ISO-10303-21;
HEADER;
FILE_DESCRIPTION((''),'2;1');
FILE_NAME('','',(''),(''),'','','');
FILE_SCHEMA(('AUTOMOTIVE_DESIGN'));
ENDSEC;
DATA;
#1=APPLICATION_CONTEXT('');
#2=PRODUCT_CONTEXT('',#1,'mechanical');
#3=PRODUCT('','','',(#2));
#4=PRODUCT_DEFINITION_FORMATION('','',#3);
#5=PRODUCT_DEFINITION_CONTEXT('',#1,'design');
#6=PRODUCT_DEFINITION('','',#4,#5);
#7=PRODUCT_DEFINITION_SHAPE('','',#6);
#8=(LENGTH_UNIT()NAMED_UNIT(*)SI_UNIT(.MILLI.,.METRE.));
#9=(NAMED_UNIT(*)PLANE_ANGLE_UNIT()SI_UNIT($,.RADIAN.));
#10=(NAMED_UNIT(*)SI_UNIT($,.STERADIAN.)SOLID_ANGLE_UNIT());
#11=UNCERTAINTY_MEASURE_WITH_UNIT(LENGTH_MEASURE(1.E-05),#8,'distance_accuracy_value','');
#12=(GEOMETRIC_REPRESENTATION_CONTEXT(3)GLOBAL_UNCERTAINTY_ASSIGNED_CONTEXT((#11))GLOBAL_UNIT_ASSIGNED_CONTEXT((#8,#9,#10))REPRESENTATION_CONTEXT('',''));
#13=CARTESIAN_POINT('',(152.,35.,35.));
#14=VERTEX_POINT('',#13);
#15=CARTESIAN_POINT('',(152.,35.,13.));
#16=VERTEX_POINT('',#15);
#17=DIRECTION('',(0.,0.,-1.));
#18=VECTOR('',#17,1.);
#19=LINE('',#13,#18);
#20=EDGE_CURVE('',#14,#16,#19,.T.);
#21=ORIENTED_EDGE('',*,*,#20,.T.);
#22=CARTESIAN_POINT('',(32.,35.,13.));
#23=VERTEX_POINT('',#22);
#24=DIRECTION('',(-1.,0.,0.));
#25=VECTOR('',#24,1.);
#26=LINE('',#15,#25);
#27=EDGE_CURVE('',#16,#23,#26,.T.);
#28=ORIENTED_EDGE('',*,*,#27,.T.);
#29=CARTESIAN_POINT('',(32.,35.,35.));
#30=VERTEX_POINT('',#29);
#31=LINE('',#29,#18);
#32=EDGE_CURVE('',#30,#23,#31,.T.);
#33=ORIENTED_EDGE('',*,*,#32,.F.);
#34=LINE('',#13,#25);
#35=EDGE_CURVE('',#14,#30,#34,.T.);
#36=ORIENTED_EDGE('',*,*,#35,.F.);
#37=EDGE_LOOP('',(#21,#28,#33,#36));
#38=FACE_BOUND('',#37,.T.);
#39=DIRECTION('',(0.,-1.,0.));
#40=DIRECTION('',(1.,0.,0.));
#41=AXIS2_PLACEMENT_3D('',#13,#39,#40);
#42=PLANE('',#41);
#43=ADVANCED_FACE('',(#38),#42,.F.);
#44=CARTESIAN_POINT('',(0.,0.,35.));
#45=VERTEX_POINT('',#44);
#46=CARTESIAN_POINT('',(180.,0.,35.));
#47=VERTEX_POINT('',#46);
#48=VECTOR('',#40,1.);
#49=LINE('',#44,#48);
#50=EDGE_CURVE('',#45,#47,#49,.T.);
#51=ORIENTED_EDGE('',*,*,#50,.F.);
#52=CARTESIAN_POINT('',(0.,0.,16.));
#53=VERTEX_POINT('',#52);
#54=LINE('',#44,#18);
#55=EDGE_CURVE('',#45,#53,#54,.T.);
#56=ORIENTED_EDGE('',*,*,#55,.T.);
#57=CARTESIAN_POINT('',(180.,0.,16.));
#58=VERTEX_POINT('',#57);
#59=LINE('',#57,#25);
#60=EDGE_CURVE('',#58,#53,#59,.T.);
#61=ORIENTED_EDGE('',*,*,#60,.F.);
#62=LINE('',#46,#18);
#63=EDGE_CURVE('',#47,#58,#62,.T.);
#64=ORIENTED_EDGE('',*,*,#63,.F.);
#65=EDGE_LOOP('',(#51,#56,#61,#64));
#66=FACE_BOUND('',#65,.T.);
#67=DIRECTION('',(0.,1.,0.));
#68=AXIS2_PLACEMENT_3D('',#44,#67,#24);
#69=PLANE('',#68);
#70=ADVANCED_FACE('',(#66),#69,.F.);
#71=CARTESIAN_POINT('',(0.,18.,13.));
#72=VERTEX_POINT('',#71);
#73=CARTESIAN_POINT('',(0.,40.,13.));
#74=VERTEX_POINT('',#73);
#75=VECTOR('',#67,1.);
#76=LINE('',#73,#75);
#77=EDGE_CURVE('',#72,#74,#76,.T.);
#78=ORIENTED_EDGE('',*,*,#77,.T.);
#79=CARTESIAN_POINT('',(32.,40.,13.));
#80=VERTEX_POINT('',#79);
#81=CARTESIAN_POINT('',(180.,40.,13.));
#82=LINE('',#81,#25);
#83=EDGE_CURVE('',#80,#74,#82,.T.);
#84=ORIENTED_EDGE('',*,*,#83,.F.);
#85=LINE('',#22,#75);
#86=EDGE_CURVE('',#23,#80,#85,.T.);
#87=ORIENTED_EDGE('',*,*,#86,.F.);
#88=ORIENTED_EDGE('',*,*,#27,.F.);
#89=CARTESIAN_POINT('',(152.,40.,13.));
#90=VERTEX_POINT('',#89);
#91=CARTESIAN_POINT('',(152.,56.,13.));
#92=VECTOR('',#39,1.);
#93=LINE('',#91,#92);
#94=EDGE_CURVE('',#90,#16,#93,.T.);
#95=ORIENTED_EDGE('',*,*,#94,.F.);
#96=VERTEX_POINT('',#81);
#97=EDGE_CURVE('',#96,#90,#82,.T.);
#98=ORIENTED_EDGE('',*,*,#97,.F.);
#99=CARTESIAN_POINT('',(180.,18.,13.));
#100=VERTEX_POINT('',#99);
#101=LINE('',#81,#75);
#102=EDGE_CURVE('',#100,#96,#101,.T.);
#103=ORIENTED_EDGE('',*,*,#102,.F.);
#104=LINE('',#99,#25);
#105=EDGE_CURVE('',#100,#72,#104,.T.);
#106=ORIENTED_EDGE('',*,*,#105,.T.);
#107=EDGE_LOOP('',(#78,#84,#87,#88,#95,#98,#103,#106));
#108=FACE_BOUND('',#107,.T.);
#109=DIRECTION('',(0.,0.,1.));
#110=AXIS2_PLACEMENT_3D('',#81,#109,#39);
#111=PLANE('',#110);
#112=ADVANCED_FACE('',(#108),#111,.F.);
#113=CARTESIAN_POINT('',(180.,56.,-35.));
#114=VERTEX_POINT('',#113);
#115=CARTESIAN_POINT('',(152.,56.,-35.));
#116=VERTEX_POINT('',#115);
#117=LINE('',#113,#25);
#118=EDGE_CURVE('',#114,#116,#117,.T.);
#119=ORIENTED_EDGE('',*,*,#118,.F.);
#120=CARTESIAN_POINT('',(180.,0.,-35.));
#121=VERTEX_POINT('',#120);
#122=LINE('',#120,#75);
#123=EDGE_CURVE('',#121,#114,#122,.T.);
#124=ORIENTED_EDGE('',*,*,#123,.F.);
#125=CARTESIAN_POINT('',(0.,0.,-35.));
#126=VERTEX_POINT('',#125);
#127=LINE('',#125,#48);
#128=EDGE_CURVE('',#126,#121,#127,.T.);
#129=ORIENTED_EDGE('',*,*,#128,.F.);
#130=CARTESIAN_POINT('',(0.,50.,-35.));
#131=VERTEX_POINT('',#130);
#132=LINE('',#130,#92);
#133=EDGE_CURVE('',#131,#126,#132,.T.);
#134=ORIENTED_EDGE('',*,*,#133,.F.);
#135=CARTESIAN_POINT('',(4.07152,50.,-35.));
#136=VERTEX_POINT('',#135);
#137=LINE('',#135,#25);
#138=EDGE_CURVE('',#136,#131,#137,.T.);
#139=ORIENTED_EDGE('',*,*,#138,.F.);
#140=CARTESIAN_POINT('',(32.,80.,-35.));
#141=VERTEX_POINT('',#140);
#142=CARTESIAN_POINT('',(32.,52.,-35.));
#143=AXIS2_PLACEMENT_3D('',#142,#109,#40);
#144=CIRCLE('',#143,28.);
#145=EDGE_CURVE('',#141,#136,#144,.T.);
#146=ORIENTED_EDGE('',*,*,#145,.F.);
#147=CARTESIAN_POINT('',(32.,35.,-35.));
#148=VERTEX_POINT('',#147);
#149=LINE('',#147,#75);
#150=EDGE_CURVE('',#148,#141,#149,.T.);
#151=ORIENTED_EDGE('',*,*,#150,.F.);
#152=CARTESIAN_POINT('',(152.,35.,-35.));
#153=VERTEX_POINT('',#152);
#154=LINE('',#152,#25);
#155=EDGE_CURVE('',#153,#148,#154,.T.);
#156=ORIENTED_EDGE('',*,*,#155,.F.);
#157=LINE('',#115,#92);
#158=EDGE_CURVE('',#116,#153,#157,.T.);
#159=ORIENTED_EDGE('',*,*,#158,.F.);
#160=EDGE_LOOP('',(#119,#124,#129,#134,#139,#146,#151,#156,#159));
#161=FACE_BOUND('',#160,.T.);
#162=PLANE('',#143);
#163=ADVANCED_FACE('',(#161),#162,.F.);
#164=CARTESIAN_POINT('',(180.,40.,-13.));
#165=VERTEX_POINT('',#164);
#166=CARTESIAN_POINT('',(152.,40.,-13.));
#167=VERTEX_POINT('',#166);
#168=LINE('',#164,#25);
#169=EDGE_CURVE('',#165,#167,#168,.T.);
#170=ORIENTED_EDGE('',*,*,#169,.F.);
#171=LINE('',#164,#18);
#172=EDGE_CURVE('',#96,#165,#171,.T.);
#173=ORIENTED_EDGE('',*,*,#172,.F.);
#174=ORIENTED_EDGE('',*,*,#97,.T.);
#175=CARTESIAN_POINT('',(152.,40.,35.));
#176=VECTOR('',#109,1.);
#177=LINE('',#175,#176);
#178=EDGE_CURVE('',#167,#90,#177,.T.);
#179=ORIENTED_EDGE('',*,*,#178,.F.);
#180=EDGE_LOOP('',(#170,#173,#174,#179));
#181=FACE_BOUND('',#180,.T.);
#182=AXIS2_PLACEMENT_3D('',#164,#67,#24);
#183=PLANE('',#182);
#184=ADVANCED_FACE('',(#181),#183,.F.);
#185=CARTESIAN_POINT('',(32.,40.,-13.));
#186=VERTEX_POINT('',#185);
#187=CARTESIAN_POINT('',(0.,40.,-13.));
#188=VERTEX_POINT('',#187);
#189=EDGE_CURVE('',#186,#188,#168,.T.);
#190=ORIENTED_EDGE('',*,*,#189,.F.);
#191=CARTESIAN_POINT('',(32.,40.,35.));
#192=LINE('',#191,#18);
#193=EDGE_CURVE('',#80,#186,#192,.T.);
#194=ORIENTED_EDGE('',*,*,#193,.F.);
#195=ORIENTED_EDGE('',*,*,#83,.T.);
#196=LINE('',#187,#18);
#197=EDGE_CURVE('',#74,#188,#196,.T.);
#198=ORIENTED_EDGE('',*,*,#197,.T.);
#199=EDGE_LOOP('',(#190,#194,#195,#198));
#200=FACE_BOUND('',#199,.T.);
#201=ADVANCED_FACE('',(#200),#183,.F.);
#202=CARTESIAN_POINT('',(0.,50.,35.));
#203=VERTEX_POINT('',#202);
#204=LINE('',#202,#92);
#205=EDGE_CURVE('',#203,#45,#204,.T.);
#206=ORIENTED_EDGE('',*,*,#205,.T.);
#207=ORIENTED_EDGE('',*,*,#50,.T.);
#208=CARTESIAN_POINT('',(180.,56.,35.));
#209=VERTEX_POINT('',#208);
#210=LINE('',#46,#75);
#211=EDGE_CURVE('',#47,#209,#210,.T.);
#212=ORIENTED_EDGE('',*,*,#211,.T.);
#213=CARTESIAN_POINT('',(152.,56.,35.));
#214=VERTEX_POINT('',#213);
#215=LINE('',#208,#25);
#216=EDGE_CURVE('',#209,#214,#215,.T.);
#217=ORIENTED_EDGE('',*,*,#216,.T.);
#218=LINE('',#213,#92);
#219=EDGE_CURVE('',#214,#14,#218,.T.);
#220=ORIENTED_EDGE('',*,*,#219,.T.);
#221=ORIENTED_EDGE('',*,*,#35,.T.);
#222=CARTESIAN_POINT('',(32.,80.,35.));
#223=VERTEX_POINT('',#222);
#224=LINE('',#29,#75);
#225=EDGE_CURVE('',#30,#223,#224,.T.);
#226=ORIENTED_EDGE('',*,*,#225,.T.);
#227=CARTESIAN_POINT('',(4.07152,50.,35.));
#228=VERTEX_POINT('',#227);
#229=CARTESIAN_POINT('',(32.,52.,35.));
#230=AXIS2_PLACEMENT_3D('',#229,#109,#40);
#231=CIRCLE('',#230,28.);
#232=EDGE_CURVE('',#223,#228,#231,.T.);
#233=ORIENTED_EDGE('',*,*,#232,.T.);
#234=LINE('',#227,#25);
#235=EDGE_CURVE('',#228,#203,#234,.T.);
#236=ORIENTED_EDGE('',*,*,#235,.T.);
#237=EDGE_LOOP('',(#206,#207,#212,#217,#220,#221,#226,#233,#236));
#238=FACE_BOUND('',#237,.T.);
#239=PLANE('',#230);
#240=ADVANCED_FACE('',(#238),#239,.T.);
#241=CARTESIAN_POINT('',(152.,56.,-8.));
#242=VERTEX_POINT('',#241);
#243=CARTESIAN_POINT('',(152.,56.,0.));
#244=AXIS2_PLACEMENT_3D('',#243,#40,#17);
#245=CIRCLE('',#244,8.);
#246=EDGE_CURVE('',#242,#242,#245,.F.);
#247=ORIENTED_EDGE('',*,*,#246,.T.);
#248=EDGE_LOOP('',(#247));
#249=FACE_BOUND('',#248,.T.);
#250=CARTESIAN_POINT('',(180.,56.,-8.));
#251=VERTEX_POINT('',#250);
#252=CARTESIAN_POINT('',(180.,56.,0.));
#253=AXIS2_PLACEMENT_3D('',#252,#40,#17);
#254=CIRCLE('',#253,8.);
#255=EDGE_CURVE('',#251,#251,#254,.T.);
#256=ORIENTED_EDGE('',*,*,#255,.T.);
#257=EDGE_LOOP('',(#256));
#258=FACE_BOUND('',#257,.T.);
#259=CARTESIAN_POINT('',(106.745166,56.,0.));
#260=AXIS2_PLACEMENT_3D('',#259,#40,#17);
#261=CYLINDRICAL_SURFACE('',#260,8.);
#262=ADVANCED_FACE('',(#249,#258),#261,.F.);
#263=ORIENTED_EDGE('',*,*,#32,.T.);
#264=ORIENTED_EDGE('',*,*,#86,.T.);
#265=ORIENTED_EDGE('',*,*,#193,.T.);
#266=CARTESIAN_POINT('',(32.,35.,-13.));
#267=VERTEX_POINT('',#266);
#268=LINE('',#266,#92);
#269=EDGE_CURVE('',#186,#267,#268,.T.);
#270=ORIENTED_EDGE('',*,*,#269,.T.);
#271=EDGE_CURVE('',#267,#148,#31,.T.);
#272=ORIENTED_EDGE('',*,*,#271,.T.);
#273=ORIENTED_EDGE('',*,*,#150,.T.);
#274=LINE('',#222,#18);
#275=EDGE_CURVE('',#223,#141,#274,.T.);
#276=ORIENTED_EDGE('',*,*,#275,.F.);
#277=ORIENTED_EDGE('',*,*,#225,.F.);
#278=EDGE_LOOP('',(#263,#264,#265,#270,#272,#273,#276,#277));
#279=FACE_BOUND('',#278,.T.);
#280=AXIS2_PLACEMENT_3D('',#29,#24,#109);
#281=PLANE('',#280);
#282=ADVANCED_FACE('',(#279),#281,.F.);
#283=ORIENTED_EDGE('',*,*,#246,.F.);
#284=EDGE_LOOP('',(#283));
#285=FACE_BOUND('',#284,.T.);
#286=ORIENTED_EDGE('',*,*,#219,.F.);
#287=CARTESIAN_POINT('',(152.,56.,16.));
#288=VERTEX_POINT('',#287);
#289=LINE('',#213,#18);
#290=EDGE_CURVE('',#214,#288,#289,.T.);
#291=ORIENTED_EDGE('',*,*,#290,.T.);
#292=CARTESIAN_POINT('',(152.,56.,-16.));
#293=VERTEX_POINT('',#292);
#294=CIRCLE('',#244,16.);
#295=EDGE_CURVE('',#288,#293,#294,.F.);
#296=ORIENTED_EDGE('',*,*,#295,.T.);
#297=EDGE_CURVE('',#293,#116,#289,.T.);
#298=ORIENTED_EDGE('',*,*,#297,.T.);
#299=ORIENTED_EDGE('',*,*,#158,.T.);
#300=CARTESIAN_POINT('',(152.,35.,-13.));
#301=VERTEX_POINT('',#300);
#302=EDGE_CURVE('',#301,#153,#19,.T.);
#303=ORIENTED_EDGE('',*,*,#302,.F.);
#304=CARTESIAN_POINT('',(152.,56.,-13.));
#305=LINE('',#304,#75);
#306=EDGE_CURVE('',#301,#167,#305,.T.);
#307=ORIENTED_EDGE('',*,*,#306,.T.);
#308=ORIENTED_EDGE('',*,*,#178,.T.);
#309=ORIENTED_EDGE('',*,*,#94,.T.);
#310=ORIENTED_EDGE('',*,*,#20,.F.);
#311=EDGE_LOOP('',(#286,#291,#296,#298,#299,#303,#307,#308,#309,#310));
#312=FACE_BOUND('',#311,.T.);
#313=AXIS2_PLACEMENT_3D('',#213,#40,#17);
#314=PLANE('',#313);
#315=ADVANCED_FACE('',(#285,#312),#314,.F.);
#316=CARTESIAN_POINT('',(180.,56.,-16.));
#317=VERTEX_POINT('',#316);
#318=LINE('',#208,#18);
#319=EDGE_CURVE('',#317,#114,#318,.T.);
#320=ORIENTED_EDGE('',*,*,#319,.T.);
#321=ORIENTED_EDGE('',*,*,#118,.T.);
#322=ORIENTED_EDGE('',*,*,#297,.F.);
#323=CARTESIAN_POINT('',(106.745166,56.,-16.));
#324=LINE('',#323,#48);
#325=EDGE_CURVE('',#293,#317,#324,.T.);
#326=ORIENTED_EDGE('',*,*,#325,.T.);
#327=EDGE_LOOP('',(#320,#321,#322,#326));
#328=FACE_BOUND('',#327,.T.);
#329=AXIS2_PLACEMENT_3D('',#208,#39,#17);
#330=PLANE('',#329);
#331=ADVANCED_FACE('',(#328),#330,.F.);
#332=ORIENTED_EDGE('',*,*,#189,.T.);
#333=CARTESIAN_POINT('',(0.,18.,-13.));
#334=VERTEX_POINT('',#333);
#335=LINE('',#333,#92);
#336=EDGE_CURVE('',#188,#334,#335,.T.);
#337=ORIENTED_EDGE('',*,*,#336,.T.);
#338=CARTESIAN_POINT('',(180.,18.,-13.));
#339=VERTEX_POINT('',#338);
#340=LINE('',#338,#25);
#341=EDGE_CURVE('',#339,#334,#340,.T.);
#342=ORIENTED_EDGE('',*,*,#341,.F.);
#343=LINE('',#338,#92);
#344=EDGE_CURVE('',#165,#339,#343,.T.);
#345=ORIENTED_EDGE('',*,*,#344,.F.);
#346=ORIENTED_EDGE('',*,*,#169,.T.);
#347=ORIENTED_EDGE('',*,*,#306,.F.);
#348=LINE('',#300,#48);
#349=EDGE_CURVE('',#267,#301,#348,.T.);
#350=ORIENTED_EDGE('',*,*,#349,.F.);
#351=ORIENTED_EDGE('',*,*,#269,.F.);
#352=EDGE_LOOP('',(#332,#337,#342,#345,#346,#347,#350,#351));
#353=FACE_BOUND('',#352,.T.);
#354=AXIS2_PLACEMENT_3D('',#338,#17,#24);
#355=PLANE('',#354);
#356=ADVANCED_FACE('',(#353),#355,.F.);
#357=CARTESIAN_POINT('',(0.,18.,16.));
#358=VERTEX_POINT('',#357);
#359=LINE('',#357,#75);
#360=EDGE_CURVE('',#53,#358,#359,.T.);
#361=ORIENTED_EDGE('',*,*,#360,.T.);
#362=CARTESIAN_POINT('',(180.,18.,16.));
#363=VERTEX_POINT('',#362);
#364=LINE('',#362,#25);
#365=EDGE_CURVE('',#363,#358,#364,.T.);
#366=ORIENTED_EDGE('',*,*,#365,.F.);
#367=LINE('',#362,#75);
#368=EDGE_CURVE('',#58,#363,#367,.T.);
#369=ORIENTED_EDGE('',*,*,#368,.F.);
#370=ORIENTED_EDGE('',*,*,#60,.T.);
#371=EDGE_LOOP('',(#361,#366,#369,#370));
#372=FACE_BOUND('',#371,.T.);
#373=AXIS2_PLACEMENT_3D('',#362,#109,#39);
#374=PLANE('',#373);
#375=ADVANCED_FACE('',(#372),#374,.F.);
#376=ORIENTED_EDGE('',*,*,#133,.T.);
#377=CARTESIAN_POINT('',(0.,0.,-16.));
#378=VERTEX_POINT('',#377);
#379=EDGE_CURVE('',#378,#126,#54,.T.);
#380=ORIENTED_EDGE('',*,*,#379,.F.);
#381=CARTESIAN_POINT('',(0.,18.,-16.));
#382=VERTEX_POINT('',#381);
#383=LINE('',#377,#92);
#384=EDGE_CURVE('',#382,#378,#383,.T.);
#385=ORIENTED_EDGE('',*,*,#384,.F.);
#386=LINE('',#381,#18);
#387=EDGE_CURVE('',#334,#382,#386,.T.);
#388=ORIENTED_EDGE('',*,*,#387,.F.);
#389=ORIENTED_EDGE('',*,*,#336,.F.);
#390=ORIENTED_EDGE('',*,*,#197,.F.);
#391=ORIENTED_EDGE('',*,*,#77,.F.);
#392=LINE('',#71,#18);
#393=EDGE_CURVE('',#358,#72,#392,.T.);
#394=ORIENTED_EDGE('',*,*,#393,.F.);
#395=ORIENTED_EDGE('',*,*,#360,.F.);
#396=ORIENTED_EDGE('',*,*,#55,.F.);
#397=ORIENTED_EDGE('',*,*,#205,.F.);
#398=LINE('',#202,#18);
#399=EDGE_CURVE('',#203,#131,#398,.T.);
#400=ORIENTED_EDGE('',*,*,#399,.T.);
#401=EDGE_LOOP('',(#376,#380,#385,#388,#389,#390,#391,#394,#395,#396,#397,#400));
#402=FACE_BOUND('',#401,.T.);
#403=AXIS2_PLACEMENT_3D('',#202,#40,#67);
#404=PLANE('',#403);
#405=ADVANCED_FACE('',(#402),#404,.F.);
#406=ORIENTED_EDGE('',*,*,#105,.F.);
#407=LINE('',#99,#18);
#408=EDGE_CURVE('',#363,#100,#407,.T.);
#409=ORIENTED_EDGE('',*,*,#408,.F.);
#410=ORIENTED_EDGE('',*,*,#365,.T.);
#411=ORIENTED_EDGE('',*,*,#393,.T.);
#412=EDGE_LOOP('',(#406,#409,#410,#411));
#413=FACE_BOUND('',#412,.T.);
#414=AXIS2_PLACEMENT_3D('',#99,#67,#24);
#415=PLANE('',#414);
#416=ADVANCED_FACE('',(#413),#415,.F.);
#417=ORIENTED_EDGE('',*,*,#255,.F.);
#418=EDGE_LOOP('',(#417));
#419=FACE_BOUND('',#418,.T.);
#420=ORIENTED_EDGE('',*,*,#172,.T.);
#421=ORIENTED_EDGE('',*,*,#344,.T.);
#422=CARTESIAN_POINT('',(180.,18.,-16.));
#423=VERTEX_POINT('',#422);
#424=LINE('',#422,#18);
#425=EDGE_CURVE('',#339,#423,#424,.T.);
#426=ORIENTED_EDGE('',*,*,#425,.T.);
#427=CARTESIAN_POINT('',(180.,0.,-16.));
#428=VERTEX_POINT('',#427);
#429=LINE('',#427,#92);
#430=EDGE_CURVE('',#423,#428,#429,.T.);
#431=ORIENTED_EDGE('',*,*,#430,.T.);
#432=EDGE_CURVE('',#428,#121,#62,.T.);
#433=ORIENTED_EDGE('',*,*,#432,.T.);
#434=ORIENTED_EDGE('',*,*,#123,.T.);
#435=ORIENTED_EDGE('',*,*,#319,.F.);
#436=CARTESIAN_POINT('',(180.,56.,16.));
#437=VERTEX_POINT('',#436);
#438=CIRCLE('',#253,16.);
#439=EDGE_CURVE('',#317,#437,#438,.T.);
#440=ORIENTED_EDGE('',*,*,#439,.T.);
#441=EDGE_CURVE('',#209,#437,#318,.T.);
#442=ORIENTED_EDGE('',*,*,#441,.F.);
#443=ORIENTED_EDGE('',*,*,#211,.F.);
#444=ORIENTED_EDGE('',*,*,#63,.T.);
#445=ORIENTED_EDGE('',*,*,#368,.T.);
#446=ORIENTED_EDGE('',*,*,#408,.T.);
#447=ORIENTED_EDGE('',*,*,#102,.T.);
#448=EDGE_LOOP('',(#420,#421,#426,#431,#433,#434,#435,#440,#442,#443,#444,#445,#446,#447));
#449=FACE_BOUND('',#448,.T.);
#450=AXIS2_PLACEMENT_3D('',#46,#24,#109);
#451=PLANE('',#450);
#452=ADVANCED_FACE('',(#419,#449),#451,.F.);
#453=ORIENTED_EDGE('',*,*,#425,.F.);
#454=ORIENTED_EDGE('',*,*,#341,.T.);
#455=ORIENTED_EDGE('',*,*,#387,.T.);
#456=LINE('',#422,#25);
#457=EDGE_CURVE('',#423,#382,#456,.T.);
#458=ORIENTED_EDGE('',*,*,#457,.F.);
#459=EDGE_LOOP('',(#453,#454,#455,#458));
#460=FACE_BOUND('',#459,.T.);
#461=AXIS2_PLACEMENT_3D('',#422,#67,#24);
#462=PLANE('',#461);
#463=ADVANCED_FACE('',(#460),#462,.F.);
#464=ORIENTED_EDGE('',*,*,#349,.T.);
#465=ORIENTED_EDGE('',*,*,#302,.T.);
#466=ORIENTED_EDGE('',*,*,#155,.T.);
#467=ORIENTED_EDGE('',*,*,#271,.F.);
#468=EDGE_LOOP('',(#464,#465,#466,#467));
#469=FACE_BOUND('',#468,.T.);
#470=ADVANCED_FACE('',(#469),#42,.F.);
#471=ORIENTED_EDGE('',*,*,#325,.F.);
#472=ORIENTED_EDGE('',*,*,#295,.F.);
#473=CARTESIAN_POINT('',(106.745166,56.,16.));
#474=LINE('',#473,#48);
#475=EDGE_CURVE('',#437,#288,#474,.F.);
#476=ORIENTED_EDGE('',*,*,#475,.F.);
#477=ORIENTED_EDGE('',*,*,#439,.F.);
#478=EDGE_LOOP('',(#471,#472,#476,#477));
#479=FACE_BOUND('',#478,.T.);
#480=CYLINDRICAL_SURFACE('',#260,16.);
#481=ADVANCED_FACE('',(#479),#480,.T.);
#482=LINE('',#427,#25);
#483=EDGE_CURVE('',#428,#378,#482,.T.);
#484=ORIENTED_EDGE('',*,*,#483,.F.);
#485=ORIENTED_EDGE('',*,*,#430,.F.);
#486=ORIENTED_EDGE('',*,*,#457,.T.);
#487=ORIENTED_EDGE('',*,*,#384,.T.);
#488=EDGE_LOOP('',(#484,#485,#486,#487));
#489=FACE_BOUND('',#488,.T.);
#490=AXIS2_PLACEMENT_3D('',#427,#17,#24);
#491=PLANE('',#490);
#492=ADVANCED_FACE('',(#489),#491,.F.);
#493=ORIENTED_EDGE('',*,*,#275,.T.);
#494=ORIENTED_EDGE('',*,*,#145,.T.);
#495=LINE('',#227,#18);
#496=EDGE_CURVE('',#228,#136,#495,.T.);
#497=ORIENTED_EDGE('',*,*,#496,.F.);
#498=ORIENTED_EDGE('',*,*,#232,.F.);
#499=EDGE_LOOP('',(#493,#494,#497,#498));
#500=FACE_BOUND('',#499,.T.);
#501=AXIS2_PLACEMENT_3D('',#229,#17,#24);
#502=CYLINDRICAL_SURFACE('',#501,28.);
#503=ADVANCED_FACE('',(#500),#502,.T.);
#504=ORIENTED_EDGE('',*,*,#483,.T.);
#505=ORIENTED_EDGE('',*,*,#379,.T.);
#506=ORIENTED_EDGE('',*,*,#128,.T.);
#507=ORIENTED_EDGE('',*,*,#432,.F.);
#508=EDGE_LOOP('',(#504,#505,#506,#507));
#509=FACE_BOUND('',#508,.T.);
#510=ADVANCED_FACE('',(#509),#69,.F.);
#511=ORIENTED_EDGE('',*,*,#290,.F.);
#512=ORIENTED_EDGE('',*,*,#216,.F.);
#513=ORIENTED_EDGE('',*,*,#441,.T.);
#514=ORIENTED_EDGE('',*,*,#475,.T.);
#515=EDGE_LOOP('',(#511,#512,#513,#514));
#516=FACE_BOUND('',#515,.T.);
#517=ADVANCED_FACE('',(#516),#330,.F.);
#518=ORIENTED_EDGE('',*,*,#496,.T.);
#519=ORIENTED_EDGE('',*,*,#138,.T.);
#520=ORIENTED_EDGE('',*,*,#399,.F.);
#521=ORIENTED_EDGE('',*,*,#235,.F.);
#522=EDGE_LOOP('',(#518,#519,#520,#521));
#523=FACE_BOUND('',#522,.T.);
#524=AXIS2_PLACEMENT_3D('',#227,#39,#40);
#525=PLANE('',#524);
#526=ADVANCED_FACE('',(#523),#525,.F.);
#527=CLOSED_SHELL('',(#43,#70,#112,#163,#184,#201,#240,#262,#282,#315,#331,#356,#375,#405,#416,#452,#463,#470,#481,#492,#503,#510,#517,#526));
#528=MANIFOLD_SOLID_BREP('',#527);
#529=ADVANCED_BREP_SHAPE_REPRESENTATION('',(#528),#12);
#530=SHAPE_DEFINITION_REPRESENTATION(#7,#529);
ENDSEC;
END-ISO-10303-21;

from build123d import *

# Parameters (mm, degrees)
BOSS_EXTRUDE1_DEPTH = 35
CUT_EXTRUDE1_DEPTH  = 201.062490237
SKETCH3_R           = 16
SKETCH3_R_2         = 8
BOSS_EXTRUDE2_DEPTH = 28
CUT_EXTRUDE2_REACH  = 202.062
SKETCH3_2_R         = 8


with BuildPart() as part:
    # Sketch1 → Boss-Extrude1 (new, symmetric)
    with BuildSketch(Plane.XY):
        with BuildLine():
            Line((0, 0), (180, 0))
            Line((180, 0), (180, 56))
            Line((180, 56), (152, 56))
            Line((152, 56), (152, 35))
            Line((152, 35), (32, 35))
            Line((32, 35), (32, 80))
            ThreePointArc((32, 80), (11.506098468, 71.078784028), (4.071519912, 50))
            Line((4.071519912, 50), (0, 50))
            Line((0, 50), (0, 0))
        make_face()
    extrude(amount=BOSS_EXTRUDE1_DEPTH, both=True)

    # Sketch2 → Cut-Extrude1 (cut, through all)
    with BuildSketch(Plane.ZY):
        Polygon((-16, 0), (-16, 18), (-13, 18), (-13, 40), (13, 40), (13, 18), (16, 18), (16, 0), align=None)
    extrude(amount=-CUT_EXTRUDE1_DEPTH, mode=Mode.SUBTRACT)

    # Sketch3 → Boss-Extrude2 (add)
    with BuildSketch(Plane(origin=(180, 0, 0), x_dir=(0, 0, -1), z_dir=(1, 0, 0))):
        with Locations((0, 56)):
            Circle(SKETCH3_R)
        with Locations((0, 56)):
            Circle(SKETCH3_R_2, mode=Mode.SUBTRACT)
    extrude(amount=-BOSS_EXTRUDE2_DEPTH)

    # Sketch3<2> → Cut-Extrude2 (cut, up to next)
    with BuildSketch(Plane(origin=(180, 0, 0), x_dir=(0, 0, -1), z_dir=(1, 0, 0)), mode=Mode.PRIVATE) as cut_extrude2_sk1:
        with Locations((0, 56)):
            Circle(SKETCH3_2_R)
    cut_extrude2_tool1 = extrude(cut_extrude2_sk1.sketch, amount=-CUT_EXTRUDE2_REACH, mode=Mode.PRIVATE) & part.part
    add(cut_extrude2_tool1.solids().sort_by_distance((180, 56, 0))[0], mode=Mode.SUBTRACT)


solid = part.part
